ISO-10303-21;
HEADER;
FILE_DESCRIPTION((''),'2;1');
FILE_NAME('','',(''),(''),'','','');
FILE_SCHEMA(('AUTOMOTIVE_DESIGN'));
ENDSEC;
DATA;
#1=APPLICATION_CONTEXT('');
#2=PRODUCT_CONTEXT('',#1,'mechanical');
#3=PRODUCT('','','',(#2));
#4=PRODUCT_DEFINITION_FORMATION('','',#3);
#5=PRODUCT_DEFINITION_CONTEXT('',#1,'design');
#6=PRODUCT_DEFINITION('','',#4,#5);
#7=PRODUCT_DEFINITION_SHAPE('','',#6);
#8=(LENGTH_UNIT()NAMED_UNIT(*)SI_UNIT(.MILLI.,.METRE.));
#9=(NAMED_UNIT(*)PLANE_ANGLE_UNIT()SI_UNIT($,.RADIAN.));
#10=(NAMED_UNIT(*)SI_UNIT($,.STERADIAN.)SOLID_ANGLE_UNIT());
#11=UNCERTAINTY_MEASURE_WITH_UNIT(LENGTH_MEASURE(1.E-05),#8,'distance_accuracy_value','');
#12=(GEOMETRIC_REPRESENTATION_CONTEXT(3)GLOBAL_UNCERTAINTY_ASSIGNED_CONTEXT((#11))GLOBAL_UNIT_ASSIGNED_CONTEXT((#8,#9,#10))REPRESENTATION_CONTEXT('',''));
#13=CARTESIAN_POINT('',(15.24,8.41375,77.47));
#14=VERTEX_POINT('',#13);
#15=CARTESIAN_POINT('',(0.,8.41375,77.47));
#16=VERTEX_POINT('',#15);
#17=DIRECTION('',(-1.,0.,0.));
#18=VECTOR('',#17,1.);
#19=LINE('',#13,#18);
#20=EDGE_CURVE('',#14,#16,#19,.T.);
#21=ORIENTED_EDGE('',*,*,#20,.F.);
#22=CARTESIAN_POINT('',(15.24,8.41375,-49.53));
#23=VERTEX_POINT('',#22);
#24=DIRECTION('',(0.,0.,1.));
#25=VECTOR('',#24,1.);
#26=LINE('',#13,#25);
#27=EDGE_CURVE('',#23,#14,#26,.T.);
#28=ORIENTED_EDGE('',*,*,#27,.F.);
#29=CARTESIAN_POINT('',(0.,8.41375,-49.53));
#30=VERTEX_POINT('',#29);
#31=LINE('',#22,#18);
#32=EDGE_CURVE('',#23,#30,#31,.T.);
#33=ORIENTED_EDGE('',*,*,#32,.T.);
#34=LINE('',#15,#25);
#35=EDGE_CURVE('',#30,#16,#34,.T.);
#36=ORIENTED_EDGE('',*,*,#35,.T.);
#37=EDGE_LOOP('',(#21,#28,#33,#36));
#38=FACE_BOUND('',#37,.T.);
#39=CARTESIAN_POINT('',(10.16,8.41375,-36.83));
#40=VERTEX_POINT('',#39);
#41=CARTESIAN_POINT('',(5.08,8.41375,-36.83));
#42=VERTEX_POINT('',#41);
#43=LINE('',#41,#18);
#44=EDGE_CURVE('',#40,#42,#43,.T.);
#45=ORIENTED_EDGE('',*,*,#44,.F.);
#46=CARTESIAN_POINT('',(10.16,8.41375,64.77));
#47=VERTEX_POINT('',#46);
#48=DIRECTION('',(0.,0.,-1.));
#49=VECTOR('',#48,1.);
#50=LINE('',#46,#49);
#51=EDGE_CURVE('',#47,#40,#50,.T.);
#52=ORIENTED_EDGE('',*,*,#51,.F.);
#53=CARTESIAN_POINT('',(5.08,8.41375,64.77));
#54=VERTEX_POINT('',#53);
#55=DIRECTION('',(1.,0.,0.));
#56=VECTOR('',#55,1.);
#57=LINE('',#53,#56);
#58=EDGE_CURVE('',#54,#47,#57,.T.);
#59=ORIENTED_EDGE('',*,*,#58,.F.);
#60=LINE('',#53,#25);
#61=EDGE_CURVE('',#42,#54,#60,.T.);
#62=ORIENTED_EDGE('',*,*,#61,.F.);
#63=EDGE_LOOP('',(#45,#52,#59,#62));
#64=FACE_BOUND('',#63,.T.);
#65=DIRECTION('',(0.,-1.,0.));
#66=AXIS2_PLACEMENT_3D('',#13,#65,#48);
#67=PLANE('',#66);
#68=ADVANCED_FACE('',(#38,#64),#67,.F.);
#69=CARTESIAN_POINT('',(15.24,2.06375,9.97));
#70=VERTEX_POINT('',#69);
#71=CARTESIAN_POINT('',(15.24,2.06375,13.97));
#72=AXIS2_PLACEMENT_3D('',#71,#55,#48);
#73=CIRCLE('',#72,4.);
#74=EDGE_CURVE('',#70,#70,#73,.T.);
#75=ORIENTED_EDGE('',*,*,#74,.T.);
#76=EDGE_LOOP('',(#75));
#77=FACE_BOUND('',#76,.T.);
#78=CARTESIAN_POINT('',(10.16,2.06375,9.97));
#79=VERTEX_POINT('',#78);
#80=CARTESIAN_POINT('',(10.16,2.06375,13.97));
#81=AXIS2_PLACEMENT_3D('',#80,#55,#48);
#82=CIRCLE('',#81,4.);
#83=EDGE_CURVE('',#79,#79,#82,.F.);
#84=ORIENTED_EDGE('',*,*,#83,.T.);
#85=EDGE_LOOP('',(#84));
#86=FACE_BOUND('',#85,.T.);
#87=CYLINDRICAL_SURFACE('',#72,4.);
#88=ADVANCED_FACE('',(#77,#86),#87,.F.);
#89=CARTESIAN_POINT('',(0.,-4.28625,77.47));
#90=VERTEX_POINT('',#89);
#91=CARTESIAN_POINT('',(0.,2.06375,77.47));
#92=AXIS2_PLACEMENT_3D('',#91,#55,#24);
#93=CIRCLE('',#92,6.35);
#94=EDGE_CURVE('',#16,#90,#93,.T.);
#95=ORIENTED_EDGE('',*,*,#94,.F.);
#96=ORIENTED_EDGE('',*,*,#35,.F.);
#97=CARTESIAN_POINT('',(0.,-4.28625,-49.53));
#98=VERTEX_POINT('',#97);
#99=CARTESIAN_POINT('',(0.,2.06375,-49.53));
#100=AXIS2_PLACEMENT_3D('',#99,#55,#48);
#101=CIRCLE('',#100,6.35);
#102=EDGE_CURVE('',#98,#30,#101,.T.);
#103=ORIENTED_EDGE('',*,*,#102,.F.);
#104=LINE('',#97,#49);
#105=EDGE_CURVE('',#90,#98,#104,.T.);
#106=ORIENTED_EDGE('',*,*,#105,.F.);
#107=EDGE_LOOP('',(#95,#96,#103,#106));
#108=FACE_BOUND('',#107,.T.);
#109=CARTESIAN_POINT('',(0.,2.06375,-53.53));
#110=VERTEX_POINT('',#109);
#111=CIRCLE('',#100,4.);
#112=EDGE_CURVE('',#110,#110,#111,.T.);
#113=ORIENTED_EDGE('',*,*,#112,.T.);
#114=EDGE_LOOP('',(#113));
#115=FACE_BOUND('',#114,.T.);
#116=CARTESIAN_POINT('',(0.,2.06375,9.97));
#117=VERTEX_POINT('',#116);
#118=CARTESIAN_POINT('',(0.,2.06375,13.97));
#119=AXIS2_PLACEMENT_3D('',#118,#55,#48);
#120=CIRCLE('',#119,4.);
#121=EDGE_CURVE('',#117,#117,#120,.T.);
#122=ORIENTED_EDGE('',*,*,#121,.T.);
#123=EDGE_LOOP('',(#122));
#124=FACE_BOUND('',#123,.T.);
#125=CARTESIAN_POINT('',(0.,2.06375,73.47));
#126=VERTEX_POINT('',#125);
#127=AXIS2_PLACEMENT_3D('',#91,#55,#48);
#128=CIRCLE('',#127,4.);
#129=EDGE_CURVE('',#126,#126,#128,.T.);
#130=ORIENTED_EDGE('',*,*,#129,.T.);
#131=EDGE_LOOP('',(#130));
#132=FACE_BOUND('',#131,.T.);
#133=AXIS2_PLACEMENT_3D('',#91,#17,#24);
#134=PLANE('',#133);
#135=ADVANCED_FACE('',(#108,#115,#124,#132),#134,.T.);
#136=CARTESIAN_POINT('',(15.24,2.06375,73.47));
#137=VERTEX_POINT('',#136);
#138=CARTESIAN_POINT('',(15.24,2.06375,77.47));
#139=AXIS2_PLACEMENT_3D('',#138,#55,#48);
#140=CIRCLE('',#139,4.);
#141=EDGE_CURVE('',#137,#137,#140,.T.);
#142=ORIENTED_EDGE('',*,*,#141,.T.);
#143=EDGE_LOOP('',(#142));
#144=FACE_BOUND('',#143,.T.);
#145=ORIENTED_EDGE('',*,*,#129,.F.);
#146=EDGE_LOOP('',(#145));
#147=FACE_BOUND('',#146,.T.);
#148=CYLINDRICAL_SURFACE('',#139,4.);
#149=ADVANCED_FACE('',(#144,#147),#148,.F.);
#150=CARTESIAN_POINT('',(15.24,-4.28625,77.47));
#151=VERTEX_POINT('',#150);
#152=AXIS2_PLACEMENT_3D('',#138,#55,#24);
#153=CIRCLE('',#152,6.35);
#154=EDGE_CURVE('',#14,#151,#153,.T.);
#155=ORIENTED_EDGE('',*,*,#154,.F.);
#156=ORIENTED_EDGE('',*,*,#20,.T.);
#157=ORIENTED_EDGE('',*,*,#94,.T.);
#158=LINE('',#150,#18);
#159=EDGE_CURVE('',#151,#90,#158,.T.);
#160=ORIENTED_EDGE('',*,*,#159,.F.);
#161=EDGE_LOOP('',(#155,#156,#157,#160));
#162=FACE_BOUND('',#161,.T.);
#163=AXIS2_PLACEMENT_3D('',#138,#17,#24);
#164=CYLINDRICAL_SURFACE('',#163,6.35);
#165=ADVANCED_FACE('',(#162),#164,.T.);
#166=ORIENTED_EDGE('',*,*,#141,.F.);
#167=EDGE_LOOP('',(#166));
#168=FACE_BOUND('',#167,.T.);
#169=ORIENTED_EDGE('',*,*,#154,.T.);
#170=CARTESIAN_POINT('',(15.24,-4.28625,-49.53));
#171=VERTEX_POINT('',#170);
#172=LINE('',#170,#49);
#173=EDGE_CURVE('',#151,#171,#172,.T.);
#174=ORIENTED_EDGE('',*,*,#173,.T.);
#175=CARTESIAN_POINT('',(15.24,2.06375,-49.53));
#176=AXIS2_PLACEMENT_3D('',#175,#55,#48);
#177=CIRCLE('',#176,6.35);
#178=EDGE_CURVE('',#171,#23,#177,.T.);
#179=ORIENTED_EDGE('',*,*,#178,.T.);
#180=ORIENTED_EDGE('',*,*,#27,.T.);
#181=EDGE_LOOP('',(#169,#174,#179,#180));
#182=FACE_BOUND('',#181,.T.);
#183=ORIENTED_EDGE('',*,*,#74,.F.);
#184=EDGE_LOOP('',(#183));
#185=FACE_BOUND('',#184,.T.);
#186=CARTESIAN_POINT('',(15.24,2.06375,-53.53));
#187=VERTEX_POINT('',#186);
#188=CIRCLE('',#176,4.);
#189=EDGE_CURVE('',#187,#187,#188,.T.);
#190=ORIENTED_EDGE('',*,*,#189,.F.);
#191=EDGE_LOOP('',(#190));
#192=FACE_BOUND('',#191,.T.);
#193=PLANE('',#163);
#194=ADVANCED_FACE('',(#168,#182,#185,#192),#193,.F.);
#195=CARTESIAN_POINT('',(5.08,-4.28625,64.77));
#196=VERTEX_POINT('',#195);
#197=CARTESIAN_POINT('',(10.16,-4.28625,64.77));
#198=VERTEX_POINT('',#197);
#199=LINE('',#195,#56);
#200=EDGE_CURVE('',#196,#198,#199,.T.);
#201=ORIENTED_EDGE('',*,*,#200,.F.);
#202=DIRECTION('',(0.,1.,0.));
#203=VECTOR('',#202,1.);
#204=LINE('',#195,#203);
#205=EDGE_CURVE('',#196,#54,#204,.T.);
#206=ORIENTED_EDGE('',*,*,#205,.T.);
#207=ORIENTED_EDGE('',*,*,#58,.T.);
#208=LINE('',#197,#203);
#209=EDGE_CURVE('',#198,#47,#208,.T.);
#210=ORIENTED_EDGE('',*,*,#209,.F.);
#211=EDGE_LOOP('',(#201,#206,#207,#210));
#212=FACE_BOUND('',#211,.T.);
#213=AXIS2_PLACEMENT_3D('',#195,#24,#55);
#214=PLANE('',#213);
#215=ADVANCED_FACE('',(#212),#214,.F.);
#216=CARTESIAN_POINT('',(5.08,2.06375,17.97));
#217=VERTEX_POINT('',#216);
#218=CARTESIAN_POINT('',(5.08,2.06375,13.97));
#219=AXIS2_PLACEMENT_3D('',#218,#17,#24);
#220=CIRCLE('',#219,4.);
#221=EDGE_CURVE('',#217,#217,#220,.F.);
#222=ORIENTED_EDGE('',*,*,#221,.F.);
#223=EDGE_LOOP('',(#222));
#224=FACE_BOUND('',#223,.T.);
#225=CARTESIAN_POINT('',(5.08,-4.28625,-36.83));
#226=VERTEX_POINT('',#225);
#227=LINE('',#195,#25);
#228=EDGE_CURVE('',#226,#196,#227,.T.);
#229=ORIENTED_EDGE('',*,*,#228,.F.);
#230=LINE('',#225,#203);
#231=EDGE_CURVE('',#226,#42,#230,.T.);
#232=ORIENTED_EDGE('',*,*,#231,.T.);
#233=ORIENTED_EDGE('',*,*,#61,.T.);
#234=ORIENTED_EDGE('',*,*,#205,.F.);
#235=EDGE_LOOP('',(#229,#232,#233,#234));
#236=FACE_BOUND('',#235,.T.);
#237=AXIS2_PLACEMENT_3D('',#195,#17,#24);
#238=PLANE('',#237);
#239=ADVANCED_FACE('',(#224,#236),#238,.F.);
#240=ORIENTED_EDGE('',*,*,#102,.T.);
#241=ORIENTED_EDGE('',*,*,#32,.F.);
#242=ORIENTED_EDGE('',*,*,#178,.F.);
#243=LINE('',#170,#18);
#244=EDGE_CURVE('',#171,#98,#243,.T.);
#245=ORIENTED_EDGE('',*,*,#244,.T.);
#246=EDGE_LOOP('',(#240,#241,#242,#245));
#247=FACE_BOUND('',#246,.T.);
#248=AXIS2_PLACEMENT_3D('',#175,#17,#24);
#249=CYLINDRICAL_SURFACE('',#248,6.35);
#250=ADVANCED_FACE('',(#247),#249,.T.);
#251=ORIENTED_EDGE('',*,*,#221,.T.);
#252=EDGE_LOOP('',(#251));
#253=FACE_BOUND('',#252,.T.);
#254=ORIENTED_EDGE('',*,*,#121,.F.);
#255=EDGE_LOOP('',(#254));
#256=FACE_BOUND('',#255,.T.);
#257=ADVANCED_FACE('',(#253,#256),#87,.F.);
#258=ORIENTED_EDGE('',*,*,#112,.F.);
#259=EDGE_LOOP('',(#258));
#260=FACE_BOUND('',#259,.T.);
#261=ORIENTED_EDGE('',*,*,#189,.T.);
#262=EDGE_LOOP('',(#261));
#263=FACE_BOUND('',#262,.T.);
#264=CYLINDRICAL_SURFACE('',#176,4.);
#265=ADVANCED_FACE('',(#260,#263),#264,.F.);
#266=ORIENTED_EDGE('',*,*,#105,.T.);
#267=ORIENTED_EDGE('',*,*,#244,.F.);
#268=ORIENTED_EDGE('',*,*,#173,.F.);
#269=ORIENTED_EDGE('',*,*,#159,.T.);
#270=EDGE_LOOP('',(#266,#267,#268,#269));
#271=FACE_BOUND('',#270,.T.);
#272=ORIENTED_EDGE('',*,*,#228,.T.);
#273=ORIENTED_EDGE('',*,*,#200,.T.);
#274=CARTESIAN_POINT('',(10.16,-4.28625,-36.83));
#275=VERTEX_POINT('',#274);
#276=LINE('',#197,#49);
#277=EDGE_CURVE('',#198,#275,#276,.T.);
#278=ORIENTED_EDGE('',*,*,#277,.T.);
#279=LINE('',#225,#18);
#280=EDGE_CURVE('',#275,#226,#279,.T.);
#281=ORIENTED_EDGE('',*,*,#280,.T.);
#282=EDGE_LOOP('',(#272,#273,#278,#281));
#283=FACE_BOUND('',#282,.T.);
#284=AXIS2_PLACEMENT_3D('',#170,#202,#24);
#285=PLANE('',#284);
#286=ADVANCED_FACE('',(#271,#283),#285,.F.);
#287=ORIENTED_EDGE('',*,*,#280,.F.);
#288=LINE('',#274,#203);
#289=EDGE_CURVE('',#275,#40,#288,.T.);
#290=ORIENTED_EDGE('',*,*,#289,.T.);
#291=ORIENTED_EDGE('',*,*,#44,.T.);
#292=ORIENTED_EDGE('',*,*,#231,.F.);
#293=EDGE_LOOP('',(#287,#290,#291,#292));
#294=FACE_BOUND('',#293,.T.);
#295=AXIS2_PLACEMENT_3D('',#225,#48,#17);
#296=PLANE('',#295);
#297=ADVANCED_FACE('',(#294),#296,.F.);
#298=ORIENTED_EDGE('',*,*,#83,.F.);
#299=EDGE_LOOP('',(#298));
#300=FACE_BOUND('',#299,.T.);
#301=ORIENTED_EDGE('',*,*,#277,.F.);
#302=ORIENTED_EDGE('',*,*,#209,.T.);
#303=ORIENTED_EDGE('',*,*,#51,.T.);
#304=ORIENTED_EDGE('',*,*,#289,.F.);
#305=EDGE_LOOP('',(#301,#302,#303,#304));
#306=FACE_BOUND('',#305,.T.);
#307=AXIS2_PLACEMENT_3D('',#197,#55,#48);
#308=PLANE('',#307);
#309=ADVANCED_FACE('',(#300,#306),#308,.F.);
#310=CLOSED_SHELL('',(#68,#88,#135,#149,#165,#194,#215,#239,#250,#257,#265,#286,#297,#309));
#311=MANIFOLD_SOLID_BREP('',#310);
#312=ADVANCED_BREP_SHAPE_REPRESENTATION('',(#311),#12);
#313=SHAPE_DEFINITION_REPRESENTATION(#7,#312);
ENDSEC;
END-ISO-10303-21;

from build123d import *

# Parameters (mm, degrees)
BOSS_EXTRUDE1_DEPTH   = 15.24
F_8_0MM_DOWEL_HOLE1_D = 8
SKETCH5_W             = 5.08
SKETCH5_H             = 101.6
CUT_EXTRUDE1_DEPTH    = 87.135590786


with BuildPart() as part:
    # Sketch1 → Boss-Extrude1 (new body)
    with BuildSketch(Plane(origin=(0, 0, 0), x_dir=(0, 0, -1), z_dir=(1, 0, 0))):
        with BuildLine():
            Line((-77.47, 8.41375), (49.53, 8.41375))
            ThreePointArc((49.53, 8.41375), (55.88, 2.06375), (49.53, -4.28625))
            Line((49.53, -4.28625), (-77.47, -4.28625))
            ThreePointArc((-77.47, -4.28625), (-83.82, 2.06375), (-77.47, 8.41375))
        make_face()
    extrude(amount=BOSS_EXTRUDE1_DEPTH)

    # Ø8.0mm Dowel Hole1 (through all)
    with Locations(Plane(origin=(15.24, 0, 0), x_dir=(0, 0, -1), z_dir=(1, 0, 0))):
        with Locations((-77.47, 2.06375), (49.53, 2.06375), (-13.97, 2.06375)):
            Hole(F_8_0MM_DOWEL_HOLE1_D / 2)

    # Sketch5 → Cut-Extrude1 (cut, through all)
    with BuildSketch(Plane(origin=(0, 8.41375, 0), x_dir=(1, 0, 0), z_dir=(0, 1, 0))):
        with Locations((7.62, -13.97)):
            Rectangle(SKETCH5_W, SKETCH5_H)
    extrude(amount=-CUT_EXTRUDE1_DEPTH, mode=Mode.SUBTRACT)


solid = part.part
